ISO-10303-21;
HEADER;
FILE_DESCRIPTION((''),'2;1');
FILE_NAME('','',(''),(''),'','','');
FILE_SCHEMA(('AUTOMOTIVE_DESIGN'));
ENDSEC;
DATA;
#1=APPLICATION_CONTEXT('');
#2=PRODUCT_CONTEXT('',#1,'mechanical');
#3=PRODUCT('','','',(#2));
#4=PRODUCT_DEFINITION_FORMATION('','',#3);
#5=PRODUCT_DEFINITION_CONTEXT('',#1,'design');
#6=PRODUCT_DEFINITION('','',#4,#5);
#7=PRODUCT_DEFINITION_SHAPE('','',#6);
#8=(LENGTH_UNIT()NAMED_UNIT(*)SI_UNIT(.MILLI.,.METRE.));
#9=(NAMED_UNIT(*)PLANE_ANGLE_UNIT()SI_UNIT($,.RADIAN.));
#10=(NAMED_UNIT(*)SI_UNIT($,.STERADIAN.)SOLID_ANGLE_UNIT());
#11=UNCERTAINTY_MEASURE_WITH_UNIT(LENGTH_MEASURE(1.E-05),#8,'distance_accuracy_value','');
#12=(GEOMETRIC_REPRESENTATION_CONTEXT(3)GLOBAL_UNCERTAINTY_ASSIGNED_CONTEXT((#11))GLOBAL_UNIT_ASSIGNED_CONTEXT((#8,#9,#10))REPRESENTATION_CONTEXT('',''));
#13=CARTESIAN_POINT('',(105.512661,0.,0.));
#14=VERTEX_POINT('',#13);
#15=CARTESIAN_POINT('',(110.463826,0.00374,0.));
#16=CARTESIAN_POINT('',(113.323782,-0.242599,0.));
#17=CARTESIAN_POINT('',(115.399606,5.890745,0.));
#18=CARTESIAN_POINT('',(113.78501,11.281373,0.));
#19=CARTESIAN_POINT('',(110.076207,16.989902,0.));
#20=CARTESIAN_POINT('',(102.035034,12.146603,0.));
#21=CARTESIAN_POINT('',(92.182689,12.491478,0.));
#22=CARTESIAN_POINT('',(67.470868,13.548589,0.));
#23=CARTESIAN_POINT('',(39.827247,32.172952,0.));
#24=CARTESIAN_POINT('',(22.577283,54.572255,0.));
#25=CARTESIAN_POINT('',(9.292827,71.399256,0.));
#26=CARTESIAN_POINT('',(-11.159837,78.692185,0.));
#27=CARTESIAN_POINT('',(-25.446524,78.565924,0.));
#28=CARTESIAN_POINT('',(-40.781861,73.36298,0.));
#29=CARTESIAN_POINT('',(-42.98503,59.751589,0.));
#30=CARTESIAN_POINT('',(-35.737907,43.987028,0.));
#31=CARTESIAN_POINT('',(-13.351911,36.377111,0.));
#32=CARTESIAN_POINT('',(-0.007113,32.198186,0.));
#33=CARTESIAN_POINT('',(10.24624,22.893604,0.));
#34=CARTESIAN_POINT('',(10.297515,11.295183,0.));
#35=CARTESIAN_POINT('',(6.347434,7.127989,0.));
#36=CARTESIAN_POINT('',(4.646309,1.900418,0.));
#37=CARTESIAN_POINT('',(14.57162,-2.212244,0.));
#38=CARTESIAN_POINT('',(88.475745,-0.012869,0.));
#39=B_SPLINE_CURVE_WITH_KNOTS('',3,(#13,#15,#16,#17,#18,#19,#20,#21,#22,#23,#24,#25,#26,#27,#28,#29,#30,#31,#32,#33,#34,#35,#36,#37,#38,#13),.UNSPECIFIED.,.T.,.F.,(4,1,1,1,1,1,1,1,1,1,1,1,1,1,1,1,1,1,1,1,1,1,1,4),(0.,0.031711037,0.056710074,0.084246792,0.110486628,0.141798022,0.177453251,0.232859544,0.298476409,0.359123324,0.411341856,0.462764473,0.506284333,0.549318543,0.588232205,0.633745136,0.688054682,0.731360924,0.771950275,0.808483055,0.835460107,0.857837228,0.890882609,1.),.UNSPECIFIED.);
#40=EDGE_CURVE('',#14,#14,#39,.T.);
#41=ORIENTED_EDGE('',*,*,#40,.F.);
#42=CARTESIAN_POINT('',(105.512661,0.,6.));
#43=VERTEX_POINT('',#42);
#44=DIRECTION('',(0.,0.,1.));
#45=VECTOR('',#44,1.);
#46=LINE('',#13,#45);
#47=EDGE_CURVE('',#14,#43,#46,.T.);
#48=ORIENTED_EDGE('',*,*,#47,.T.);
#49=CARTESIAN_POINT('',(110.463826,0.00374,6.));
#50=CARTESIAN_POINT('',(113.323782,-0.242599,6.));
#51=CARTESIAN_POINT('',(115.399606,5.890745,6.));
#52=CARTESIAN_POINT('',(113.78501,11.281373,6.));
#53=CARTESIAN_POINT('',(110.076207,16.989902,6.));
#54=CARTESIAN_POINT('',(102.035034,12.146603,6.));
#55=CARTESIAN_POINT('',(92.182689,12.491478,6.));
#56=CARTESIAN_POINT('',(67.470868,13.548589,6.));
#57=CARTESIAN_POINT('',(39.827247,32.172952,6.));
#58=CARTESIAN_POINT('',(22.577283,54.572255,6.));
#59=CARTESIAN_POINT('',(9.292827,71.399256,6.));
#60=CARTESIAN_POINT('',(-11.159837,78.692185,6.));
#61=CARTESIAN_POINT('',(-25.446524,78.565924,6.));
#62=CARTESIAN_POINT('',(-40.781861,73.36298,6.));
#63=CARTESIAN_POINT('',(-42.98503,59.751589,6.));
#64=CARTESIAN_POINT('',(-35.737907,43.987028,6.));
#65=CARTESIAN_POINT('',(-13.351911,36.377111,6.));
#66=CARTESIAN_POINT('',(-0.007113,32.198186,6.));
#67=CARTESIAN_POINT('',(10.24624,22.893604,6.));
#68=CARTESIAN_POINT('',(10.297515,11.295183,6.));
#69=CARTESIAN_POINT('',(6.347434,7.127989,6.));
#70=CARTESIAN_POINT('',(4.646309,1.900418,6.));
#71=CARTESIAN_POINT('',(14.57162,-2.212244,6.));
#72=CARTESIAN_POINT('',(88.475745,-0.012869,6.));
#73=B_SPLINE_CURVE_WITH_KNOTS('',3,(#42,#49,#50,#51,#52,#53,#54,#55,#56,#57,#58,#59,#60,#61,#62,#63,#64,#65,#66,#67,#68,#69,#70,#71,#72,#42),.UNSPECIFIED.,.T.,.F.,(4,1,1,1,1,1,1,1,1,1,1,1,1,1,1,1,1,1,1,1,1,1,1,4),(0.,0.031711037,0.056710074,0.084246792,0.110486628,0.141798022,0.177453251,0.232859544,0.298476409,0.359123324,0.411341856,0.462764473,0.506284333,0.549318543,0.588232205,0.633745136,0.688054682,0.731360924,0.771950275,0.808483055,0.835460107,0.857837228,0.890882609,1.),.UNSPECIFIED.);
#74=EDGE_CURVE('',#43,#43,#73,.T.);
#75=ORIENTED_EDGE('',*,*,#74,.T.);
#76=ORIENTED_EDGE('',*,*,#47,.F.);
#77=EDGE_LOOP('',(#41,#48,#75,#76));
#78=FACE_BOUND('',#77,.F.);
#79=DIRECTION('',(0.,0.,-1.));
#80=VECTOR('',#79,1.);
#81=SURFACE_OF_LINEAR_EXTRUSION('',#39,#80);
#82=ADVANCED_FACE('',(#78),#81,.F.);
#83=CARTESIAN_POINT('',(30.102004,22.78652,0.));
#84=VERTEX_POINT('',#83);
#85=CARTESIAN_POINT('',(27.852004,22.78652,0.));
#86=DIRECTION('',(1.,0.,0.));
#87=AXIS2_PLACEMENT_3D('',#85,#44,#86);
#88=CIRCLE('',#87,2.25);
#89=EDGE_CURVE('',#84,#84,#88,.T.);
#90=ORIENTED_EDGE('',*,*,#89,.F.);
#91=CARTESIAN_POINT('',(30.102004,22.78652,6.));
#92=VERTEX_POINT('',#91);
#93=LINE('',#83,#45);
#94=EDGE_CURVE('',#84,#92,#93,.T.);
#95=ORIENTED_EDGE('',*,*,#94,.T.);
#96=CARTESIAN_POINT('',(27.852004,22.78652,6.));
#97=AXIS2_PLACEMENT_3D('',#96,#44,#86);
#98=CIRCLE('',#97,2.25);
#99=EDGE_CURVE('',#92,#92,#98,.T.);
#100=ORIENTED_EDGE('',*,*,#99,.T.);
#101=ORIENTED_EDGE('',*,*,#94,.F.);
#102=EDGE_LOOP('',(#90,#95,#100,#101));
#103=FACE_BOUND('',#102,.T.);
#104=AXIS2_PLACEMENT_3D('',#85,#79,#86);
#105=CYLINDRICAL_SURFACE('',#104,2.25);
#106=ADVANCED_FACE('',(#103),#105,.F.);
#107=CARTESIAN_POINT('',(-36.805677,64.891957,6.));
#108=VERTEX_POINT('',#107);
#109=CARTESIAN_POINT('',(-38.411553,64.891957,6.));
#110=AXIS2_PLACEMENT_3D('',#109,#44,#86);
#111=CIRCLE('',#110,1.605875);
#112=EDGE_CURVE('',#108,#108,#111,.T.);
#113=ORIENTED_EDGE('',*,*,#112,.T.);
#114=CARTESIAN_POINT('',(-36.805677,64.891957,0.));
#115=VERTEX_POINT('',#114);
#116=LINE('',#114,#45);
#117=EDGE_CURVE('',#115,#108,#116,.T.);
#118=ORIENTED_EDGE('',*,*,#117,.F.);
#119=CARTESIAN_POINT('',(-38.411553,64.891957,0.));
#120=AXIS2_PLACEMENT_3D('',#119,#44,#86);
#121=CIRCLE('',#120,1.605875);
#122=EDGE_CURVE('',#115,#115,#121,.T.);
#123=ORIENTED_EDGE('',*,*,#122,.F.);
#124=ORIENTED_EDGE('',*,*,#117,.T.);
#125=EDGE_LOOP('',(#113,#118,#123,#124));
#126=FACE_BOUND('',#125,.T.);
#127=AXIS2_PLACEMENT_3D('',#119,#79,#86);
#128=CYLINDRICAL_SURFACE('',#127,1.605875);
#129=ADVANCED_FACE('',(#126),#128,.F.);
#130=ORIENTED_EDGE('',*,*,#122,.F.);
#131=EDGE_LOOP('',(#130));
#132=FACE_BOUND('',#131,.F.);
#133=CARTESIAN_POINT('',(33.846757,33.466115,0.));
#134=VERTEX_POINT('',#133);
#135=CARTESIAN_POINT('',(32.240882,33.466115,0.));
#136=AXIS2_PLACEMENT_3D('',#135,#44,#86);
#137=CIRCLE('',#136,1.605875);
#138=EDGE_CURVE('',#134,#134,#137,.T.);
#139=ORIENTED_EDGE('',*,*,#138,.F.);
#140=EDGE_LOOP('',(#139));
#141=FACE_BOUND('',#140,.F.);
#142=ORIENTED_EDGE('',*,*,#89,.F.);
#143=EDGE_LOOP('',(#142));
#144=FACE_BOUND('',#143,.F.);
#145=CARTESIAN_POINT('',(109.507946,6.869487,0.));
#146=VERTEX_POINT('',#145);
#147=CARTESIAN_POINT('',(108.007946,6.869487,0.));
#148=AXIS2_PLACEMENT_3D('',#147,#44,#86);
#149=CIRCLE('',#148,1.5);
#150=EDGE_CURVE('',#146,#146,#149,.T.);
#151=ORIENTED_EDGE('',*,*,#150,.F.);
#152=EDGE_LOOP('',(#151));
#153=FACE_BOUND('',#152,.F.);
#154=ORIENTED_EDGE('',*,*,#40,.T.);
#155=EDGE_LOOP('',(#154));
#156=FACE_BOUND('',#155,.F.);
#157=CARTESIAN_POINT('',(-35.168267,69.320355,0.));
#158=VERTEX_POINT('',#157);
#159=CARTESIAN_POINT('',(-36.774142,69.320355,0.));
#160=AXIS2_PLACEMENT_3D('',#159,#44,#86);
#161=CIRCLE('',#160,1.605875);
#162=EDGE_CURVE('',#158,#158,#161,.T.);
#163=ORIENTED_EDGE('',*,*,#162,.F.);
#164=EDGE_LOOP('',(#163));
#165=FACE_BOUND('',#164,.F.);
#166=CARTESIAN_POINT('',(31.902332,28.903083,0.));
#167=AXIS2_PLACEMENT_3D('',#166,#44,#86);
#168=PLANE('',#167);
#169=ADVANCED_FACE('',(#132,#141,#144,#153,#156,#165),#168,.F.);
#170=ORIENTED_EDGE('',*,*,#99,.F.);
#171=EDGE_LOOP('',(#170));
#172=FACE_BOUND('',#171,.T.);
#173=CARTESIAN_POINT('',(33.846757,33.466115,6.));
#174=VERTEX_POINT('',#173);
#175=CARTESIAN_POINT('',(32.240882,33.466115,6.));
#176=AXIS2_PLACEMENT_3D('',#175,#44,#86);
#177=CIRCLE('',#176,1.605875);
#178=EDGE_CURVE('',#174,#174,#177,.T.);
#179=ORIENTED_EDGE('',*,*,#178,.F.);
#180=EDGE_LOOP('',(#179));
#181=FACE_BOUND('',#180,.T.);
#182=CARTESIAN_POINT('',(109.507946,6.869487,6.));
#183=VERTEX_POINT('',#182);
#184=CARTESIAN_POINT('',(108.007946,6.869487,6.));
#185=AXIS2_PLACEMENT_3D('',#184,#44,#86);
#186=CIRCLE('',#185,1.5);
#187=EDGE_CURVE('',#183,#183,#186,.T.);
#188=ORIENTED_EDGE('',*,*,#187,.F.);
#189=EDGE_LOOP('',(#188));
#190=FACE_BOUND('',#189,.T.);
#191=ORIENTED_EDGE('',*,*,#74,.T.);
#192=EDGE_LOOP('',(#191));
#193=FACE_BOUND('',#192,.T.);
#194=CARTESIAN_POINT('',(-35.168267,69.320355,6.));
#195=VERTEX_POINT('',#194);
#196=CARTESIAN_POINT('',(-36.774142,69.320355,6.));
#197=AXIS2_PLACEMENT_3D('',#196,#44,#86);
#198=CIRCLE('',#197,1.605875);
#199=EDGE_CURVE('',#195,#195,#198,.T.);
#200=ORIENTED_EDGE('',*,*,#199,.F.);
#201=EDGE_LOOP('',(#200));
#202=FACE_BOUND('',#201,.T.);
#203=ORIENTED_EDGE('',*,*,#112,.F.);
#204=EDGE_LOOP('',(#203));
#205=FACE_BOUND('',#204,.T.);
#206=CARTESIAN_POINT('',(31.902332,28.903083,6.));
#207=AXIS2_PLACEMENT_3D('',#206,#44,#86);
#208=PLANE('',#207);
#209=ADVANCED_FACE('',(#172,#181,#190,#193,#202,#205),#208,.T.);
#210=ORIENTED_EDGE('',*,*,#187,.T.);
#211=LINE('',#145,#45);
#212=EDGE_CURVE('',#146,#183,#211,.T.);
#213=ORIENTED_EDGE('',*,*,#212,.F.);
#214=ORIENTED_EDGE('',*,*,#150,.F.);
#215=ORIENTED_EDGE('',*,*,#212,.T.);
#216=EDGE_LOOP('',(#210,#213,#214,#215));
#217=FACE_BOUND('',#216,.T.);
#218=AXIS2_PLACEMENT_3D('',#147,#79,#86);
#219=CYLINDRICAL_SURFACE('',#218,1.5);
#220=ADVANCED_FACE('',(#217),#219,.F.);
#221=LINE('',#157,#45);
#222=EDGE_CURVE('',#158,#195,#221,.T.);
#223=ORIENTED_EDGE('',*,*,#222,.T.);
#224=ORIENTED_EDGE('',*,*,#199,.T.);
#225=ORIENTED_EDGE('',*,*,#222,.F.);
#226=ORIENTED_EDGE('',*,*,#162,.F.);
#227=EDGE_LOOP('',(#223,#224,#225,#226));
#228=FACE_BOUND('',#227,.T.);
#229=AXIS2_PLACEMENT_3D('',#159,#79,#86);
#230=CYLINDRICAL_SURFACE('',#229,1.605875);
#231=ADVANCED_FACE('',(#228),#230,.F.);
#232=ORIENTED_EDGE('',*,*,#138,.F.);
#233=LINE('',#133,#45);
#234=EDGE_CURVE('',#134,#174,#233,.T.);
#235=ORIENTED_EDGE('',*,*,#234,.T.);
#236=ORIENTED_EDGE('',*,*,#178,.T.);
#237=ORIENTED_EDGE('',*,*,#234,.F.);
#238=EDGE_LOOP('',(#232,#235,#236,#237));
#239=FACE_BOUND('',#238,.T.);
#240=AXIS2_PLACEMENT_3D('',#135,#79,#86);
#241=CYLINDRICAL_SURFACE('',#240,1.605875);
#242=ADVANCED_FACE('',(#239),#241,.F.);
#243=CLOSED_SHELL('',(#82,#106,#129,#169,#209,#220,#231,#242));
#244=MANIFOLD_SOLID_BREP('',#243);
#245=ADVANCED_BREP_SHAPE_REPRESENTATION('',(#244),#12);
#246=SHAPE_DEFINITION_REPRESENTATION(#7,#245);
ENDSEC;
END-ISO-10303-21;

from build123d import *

# Parameters (mm, degrees)
F0_R     = 2.25
F0_R_2   = 1.6058753571
F0_R_3   = 1.5
F1_DEPTH = 6


with BuildPart() as f1:
    # F0 (on Top) → F1 (new body)
    with BuildSketch(Plane.XY):
        with BuildLine():
            add(Edge.make_bspline(
                [(105.512660726, 0), (110.4638262541, 0.0037398958), (113.3237819686, -0.2425988318), (115.3996059528, 5.890744925), (113.7850095035, 11.2813727542), (110.0762069943, 16.9899015313), (102.0350342344, 12.1466025871), (92.1826886053, 12.4914778104), (67.4708678294, 13.5485891955), (39.8272474197, 32.172952351), (22.5772833457, 54.5722554746), (9.2928269645, 71.3992558612), (-11.1598370214, 78.6921854261), (-25.446523864, 78.5659244567), (-40.7818605775, 73.3629802285), (-42.9850302746, 59.7515888538), (-35.7379069531, 43.9870281384), (-13.3519105426, 36.3771107649), (-0.0071129883, 32.1981856364), (10.2462404062, 22.8936041318), (10.2975146454, 11.2951825298), (6.3474343059, 7.1279889115), (4.6463090236, 1.9004176233), (14.5716204762, -2.2122441249), (88.4757451047, -0.0128689474), (105.512660726, 0)],
                knots=[0, 0, 0, 0, 0.0317110371, 0.0567100742, 0.0842467924, 0.1104866282, 0.1417980218, 0.1774532512, 0.2328595444, 0.2984764095, 0.3591233236, 0.4113418563, 0.462764473, 0.5062843327, 0.549318543, 0.5882322048, 0.6337451357, 0.6880546817, 0.7313609243, 0.771950275, 0.8084830547, 0.8354601074, 0.8578372284, 0.8908826092, 1, 1, 1, 1], degree=3))
        make_face()
        with Locations((27.8520043215, 22.7865202849)):
            Circle(F0_R, mode=Mode.SUBTRACT)
        with Locations((32.240881675, 33.4661149504)):
            Circle(F0_R_2, mode=Mode.SUBTRACT)
        with Locations((108.0079460577, 6.8694867865)):
            Circle(F0_R_3, mode=Mode.SUBTRACT)
        with Locations((-38.411552843, 64.8919570343)):
            Circle(F0_R_2, mode=Mode.SUBTRACT)
        with Locations((-36.7741420753, 69.3203552528)):
            Circle(F0_R_2, mode=Mode.SUBTRACT)
    extrude(amount=F1_DEPTH)


solid = f1.part
